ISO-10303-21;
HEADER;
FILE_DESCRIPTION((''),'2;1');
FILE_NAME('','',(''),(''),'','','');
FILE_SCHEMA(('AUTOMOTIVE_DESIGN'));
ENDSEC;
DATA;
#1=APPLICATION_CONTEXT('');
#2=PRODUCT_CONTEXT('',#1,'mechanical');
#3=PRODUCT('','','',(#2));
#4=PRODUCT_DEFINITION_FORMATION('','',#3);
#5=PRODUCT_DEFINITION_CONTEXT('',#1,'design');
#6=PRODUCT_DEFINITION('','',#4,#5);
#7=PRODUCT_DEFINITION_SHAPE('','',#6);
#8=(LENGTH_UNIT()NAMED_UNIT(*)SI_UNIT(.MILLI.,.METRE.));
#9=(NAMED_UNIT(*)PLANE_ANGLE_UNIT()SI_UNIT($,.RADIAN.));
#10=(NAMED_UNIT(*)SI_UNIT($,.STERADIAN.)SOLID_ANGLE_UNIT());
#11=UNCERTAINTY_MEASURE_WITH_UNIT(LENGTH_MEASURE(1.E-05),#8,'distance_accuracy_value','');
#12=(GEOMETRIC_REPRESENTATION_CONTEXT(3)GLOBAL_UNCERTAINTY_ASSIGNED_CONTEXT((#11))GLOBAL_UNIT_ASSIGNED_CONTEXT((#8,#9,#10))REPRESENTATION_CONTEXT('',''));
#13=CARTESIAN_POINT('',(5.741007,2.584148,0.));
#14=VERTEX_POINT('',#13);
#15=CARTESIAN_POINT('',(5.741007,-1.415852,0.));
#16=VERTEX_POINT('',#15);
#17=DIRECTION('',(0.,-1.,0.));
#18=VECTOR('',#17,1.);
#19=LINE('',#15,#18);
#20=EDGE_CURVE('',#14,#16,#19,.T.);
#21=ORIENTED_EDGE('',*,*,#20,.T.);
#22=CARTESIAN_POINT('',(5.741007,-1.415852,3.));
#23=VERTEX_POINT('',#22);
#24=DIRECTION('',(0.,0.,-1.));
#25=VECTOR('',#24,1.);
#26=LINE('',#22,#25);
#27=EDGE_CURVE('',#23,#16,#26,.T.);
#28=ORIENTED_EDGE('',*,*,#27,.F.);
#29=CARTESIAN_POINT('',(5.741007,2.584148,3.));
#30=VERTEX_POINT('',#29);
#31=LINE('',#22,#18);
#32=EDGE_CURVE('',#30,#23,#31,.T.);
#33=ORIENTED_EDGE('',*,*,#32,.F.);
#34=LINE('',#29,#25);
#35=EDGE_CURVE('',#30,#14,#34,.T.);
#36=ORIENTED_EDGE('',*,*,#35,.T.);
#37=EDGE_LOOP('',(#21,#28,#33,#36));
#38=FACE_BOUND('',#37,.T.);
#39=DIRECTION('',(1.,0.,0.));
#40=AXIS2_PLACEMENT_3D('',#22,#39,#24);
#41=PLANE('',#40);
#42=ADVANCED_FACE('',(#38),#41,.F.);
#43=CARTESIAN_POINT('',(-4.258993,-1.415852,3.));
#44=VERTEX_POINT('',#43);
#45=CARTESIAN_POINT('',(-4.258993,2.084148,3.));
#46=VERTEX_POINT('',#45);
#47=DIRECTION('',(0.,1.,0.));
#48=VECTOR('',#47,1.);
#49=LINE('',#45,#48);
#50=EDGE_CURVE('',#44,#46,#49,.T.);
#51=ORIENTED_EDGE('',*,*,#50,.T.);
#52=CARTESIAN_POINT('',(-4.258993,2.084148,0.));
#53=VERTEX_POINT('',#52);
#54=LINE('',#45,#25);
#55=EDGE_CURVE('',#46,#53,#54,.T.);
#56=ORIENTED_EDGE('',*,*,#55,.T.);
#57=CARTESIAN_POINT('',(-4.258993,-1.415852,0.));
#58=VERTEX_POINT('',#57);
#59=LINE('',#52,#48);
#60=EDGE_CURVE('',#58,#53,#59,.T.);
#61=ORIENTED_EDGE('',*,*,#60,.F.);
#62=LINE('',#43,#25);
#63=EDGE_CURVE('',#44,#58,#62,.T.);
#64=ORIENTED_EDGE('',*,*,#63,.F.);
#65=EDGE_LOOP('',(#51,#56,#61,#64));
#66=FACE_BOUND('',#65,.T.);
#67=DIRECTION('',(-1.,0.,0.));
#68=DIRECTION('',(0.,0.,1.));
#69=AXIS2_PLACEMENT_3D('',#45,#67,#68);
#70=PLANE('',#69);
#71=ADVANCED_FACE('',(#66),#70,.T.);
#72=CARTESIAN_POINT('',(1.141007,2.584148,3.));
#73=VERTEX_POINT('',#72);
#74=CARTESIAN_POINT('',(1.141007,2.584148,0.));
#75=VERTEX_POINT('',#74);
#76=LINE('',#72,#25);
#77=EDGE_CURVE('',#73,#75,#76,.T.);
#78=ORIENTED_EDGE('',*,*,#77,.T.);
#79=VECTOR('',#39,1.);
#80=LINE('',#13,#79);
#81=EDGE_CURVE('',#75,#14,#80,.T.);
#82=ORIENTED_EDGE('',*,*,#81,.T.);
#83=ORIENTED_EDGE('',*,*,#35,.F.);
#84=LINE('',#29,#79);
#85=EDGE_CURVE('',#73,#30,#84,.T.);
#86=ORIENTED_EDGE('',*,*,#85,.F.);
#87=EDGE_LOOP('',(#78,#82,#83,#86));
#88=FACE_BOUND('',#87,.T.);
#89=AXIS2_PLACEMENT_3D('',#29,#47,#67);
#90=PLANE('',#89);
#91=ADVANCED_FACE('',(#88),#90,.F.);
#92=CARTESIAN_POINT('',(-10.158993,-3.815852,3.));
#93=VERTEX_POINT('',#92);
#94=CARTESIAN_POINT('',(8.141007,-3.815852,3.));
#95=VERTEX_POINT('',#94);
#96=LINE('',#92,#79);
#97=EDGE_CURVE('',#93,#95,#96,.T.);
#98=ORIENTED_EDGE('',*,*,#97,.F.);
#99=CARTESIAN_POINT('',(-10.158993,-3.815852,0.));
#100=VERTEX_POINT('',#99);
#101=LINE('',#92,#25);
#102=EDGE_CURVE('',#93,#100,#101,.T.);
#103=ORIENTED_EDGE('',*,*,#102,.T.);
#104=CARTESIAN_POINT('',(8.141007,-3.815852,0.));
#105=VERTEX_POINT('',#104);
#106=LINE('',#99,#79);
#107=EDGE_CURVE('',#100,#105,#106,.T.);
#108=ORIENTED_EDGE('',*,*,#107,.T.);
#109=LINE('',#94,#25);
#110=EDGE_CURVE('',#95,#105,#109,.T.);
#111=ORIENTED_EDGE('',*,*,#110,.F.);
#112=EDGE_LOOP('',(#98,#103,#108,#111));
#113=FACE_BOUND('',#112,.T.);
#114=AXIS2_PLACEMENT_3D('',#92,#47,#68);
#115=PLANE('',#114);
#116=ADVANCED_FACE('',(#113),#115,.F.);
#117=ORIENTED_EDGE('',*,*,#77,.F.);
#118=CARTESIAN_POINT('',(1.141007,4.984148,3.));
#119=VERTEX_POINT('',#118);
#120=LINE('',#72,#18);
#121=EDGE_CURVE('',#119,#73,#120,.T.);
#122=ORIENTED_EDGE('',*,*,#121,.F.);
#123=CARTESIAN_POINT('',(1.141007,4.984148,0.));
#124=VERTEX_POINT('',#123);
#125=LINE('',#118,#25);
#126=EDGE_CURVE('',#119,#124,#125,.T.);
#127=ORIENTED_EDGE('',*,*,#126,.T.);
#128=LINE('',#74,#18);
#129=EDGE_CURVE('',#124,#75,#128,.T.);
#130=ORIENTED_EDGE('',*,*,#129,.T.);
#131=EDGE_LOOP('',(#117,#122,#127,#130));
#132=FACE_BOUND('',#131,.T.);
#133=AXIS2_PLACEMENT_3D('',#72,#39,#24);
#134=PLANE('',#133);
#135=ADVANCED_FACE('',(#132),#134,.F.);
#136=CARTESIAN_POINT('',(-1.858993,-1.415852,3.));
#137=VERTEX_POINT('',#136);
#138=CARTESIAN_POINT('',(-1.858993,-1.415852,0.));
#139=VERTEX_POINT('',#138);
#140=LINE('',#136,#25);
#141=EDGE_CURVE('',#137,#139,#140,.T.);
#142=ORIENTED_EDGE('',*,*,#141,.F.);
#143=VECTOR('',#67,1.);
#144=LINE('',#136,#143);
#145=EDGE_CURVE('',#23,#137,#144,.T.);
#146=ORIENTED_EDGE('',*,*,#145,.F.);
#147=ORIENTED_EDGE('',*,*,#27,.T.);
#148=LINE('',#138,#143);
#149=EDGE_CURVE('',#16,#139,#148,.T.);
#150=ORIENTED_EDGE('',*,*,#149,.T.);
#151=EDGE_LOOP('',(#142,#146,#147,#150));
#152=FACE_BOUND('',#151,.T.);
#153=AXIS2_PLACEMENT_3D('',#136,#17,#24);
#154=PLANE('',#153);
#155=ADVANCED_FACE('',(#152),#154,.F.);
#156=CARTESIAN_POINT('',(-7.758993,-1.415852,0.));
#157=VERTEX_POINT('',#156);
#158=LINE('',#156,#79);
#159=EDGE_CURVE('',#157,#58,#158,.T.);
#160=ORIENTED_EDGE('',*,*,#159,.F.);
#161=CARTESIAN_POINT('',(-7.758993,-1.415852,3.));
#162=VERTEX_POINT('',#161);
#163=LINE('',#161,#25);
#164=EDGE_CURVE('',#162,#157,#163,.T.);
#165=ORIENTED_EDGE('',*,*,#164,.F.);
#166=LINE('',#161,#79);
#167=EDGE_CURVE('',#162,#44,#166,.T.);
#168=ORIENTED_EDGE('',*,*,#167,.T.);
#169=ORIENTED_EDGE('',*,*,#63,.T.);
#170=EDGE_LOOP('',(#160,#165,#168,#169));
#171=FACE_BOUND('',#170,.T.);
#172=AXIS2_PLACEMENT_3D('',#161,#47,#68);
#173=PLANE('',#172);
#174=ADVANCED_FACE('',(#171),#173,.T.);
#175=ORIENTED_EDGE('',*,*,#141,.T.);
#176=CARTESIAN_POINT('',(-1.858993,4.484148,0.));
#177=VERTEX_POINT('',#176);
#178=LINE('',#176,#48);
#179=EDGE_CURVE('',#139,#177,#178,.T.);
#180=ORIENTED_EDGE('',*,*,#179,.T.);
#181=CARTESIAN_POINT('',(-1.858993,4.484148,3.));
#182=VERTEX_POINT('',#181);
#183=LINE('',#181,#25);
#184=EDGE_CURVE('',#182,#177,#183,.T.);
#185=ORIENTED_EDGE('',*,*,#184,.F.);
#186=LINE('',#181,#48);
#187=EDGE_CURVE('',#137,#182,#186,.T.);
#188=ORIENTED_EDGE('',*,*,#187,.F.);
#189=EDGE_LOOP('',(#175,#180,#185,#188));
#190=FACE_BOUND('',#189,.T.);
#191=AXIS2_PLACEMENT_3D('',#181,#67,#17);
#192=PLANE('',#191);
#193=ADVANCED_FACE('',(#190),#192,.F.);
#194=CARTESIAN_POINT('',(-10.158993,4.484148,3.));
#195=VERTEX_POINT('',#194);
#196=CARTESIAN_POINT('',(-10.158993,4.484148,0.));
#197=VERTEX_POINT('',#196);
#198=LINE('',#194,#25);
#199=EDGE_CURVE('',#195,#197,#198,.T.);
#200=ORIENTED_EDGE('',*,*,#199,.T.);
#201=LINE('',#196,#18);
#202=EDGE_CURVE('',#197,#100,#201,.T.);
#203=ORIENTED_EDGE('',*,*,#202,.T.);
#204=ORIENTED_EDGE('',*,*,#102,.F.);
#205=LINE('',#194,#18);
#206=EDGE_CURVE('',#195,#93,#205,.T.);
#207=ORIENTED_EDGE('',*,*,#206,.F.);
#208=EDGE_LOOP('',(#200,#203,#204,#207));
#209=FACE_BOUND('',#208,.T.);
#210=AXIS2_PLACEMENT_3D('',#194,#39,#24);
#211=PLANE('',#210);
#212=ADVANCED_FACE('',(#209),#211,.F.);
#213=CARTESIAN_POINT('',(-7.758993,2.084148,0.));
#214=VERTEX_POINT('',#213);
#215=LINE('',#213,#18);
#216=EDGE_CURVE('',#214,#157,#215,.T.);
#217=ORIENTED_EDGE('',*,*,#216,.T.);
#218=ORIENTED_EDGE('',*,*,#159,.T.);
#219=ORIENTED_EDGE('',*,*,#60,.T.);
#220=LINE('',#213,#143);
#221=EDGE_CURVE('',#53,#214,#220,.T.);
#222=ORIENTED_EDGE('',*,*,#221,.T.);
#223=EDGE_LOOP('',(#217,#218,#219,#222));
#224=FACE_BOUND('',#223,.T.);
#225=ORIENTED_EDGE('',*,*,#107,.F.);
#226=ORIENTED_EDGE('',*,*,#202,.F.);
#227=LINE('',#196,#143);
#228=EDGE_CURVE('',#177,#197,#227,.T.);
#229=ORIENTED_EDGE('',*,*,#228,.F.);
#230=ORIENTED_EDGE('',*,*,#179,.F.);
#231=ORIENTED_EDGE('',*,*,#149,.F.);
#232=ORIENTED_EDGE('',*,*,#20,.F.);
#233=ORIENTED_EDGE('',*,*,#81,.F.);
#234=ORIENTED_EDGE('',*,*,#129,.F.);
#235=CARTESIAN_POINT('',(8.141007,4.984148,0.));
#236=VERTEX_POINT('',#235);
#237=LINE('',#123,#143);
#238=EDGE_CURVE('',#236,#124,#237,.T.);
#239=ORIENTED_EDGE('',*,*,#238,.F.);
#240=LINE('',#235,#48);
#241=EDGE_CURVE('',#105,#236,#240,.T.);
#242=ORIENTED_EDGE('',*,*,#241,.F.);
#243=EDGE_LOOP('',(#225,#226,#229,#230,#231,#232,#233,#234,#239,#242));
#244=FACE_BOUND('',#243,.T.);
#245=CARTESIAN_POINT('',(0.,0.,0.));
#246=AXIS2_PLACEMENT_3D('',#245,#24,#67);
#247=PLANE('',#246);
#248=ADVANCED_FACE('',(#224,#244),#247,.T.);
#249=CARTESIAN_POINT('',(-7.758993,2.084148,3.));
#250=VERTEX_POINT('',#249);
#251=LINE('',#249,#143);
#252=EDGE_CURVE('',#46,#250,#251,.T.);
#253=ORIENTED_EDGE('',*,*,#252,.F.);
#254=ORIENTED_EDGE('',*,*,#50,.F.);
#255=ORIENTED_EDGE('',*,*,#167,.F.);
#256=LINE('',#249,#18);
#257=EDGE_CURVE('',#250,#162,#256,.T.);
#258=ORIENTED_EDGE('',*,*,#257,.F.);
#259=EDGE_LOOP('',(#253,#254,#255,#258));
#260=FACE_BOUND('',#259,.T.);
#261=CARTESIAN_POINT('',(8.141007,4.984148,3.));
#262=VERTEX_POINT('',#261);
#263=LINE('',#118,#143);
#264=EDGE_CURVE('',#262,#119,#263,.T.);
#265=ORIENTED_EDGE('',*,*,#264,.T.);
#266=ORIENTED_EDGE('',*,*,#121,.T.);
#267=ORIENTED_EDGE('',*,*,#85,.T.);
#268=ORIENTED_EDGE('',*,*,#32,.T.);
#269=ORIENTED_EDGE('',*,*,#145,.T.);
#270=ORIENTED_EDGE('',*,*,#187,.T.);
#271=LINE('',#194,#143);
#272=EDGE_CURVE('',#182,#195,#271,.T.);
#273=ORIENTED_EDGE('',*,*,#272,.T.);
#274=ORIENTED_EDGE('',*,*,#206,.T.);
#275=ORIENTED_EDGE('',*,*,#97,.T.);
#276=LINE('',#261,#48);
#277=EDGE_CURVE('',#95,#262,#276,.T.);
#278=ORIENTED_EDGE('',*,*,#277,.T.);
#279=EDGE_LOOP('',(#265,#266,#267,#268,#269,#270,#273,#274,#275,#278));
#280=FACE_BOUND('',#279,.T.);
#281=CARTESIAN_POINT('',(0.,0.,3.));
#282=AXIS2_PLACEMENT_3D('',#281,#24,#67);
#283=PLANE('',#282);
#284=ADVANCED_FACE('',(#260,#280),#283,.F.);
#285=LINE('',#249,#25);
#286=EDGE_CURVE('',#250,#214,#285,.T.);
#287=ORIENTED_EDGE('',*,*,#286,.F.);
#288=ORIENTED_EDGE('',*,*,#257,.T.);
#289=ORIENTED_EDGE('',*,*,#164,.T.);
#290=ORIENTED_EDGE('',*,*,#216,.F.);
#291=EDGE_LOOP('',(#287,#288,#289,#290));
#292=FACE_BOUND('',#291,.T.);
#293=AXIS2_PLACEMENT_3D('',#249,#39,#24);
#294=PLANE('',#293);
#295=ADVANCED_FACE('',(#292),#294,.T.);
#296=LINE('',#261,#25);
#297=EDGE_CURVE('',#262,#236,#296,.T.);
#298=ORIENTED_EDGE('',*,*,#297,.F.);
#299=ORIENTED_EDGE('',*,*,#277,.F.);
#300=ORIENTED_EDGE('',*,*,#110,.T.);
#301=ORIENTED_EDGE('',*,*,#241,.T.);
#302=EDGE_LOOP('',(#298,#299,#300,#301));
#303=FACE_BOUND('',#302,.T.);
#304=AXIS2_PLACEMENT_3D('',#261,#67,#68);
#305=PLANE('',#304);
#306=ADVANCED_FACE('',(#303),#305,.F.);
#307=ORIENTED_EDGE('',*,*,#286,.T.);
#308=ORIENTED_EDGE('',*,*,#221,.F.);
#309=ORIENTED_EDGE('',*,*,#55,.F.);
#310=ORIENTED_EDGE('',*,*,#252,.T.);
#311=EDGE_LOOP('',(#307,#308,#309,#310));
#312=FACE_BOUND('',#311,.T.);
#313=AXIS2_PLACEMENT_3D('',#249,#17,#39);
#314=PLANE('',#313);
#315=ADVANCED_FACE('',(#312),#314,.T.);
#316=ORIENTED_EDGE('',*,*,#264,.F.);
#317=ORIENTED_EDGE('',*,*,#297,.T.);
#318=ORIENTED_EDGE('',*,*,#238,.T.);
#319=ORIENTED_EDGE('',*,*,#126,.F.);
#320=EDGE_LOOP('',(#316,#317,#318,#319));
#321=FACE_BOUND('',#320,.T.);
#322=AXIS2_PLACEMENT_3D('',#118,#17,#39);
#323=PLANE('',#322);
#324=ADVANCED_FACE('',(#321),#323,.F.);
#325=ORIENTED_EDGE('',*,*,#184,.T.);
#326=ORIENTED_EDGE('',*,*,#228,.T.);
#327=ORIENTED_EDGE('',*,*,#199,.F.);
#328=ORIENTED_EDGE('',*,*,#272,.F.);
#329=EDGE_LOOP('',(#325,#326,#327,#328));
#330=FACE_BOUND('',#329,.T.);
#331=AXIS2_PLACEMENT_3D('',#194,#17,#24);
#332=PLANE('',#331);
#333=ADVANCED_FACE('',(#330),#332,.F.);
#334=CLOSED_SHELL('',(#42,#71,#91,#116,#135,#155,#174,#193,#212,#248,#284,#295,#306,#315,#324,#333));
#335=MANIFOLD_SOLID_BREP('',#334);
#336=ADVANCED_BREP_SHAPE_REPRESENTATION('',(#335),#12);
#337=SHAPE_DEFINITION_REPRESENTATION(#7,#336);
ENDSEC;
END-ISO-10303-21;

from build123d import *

# Parameters (mm, degrees)
CROQUIS1_W              = 3.5
CROQUIS1_H              = 3.5
SALIENTE_EXTRUIR1_DEPTH = 3


with BuildPart() as part:
    # Croquis1 → Saliente-Extruir1 (new body)
    with BuildSketch(Plane.XY):
        Polygon((-1.858993224, 4.484148454), (-1.858993224, -1.415851546), (5.741006776, -1.415851546), (5.741006776, 2.584148454), (1.141006776, 2.584148454), (1.141006776, 4.984148454), (8.141006776, 4.984148454), (8.141006776, -3.815851546), (-10.158993224, -3.815851546), (-10.158993224, 4.484148454), align=None)
        with Locations((-6.008993224, 0.334148454)):
            Rectangle(CROQUIS1_W, CROQUIS1_H, mode=Mode.SUBTRACT)
    extrude(amount=SALIENTE_EXTRUIR1_DEPTH)


solid = part.part
